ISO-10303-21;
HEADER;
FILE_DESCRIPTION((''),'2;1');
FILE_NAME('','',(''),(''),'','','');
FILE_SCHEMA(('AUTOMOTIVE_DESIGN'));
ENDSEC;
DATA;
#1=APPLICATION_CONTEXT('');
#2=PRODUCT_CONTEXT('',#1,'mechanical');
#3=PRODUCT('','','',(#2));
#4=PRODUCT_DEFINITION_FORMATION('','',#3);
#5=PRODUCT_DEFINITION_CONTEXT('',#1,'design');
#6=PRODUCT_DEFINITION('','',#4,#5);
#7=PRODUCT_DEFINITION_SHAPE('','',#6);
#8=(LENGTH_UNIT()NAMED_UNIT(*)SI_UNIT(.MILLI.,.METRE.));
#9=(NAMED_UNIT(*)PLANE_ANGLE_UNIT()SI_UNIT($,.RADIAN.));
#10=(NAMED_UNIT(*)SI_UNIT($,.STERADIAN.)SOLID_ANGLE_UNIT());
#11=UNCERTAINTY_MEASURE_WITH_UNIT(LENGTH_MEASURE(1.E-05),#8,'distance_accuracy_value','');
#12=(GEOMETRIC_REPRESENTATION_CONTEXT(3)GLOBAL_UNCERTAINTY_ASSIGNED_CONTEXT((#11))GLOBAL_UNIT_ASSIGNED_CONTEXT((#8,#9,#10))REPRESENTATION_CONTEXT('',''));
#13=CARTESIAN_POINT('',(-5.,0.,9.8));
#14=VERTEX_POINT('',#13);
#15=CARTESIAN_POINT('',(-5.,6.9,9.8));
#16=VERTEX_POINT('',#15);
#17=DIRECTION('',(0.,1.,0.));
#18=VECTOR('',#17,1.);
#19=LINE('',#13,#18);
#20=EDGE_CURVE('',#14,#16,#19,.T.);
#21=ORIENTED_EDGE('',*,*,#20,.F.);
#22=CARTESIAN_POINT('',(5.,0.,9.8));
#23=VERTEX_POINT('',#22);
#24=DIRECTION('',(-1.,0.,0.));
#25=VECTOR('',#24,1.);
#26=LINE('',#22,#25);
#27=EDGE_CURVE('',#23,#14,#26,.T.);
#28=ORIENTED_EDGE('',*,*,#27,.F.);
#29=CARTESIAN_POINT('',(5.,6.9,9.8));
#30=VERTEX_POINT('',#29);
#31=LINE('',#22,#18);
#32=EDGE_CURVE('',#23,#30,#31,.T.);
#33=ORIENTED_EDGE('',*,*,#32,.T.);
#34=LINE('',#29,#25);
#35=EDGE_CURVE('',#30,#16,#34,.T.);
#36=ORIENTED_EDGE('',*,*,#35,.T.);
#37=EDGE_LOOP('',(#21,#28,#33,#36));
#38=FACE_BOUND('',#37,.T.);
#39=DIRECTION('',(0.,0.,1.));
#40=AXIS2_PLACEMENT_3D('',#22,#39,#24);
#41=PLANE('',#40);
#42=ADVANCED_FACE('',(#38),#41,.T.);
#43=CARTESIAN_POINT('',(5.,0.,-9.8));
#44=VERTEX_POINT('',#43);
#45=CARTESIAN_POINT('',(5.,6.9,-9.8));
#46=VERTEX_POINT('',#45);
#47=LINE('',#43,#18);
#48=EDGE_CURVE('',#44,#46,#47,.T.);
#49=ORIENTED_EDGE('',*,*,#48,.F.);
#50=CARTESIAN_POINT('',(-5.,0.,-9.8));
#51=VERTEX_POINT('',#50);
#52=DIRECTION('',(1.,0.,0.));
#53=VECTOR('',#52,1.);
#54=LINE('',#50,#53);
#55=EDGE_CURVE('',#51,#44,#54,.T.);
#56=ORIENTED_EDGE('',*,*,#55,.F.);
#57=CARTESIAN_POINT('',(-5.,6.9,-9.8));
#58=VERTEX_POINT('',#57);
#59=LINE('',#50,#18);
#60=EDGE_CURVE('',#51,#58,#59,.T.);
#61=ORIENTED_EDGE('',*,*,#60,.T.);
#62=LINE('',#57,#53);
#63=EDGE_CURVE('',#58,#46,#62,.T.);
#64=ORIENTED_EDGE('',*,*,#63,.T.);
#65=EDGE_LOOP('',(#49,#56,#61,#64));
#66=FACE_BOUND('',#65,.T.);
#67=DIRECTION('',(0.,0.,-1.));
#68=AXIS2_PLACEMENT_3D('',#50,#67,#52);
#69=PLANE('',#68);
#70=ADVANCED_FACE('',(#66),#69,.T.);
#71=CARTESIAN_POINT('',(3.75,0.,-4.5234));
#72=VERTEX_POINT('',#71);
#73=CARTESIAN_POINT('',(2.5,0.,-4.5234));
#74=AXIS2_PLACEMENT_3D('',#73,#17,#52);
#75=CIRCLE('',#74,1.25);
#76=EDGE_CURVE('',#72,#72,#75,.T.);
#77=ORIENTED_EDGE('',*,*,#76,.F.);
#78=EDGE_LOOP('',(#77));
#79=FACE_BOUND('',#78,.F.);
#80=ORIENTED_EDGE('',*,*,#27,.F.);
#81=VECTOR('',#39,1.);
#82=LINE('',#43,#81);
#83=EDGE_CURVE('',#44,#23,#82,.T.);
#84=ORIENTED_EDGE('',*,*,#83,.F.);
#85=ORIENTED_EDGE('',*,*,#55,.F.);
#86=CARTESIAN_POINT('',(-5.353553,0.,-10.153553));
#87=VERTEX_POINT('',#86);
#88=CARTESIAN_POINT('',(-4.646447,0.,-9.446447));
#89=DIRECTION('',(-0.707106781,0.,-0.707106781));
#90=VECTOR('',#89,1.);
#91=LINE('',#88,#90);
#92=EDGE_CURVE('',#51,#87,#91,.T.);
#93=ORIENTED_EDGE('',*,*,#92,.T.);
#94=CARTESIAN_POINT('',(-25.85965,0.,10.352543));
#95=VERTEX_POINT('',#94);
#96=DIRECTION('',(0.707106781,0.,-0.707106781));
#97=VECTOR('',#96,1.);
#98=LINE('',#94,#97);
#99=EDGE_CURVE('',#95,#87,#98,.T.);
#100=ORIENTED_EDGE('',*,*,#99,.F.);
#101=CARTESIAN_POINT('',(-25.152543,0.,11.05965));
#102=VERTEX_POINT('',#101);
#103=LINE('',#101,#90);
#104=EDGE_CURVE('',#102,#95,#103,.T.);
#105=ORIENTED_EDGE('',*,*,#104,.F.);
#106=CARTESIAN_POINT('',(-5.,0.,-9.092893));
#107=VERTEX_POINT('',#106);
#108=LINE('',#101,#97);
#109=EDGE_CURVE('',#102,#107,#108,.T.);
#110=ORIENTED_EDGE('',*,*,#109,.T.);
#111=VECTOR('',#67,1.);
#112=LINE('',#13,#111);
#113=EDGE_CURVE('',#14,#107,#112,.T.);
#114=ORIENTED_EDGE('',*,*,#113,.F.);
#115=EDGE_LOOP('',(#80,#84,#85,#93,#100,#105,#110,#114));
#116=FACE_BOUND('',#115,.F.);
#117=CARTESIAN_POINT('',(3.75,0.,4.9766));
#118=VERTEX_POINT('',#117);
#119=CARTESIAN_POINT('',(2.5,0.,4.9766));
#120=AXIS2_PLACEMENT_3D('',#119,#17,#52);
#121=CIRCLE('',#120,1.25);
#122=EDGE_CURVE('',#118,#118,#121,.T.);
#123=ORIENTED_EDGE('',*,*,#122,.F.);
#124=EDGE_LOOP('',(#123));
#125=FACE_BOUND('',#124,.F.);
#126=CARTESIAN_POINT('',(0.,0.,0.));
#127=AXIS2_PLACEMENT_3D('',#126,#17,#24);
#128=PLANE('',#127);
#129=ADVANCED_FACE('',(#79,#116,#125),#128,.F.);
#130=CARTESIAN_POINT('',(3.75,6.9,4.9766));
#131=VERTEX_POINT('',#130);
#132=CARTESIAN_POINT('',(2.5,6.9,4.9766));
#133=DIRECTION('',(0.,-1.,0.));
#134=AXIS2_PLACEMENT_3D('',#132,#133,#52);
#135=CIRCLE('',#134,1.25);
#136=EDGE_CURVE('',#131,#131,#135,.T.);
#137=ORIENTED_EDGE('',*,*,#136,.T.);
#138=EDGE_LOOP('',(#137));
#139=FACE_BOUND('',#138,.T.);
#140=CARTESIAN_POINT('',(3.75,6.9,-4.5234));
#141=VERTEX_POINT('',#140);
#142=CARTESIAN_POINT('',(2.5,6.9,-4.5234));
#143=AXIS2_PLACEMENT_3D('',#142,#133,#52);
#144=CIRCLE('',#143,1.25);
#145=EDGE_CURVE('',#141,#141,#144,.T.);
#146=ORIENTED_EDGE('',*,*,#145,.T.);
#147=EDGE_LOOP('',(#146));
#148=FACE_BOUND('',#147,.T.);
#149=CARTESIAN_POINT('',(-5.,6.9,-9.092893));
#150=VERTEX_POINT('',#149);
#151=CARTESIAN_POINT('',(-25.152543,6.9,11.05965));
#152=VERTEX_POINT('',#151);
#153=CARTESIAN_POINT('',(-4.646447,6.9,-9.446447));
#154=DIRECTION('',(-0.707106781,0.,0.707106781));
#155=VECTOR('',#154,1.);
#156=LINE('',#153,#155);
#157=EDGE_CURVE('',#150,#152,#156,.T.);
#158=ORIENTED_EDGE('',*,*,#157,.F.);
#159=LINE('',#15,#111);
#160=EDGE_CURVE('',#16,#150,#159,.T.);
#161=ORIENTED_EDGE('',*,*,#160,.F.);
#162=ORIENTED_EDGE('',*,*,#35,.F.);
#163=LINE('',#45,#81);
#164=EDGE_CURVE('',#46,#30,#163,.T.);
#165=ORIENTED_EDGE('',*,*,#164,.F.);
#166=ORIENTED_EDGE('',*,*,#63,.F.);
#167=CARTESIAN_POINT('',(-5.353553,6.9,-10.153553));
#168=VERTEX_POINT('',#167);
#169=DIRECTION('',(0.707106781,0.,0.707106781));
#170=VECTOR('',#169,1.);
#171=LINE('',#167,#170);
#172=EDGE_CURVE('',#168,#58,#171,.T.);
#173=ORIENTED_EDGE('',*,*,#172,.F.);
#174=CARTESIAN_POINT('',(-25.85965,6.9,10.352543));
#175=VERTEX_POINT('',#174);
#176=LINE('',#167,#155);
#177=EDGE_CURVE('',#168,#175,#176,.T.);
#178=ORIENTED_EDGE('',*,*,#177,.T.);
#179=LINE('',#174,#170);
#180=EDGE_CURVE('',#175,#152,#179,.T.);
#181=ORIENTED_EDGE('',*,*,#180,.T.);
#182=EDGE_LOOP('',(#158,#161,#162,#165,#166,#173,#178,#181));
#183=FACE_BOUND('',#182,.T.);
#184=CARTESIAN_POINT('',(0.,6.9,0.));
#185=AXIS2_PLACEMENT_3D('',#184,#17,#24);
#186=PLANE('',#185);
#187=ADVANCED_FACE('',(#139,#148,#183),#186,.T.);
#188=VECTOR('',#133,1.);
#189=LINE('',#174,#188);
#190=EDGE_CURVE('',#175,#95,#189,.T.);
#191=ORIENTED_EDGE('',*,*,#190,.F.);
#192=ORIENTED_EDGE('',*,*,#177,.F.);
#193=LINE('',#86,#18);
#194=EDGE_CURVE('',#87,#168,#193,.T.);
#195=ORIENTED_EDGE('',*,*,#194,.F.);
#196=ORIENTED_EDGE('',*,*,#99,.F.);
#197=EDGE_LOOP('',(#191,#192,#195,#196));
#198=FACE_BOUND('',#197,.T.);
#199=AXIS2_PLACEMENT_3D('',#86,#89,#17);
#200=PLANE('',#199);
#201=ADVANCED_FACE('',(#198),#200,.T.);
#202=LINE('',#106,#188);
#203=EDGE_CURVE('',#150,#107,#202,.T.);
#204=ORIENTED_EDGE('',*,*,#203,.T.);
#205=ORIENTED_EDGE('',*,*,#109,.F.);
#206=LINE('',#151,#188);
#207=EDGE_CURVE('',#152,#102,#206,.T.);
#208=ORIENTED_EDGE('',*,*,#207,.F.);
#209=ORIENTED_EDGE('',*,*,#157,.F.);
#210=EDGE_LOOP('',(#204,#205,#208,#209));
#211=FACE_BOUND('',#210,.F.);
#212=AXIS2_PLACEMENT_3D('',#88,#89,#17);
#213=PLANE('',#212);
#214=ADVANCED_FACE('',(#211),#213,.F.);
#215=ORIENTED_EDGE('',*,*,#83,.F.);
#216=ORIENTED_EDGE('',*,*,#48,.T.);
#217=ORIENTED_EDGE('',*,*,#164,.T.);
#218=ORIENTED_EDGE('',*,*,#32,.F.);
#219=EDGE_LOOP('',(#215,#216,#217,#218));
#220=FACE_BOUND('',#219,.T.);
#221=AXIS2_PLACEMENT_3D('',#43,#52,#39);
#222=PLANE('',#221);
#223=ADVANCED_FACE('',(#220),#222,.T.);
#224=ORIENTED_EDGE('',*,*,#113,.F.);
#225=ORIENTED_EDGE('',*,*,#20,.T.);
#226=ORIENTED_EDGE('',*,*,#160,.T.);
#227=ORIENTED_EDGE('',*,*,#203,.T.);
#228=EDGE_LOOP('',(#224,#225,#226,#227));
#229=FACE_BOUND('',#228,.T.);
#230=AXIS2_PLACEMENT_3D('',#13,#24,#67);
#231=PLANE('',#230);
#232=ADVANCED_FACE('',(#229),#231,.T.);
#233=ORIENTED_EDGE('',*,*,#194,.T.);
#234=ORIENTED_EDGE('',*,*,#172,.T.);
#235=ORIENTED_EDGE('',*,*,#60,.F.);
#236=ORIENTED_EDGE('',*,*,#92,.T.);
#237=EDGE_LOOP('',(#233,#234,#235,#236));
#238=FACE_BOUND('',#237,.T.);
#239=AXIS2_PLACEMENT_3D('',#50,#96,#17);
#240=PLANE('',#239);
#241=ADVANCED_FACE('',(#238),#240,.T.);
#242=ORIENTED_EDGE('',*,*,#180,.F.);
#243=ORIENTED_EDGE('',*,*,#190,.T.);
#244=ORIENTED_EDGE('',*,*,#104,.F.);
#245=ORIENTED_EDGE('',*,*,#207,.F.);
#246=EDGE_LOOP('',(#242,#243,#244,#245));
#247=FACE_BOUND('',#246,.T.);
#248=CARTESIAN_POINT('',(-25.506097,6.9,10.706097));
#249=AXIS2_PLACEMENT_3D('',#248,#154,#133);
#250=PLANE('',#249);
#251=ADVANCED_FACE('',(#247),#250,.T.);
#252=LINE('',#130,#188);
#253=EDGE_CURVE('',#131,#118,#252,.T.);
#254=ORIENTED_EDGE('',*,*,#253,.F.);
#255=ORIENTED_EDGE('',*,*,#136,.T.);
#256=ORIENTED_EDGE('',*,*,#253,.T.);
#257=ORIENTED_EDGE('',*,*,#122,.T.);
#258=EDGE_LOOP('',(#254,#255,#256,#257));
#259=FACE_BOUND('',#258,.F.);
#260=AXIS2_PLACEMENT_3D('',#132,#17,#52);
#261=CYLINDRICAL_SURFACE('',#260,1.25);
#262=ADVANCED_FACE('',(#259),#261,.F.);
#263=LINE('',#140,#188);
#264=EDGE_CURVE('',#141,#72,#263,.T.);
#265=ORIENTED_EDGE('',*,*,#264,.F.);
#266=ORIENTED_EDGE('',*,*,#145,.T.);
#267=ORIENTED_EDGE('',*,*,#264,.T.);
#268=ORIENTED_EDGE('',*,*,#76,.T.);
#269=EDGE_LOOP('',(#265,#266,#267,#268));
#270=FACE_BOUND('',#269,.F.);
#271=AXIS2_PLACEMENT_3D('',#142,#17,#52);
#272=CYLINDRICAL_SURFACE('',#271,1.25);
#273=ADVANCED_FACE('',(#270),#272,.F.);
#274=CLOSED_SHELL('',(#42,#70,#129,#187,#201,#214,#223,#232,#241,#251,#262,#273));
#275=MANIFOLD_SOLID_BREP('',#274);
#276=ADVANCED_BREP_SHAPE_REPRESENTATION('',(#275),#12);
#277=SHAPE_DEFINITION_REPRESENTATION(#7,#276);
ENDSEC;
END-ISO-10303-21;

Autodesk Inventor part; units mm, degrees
ref_plane "YZ Plane" through (0, 0, 0) normal (1, 0, 0) x (0, 1, 0)
ref_plane "XZ Plane" through (0, 0, 0) normal (0, 1, 0) x (-1, 0, 0)
sketch "Эскиз1" plane through (0, 0, 0) normal (0, 1, 0) x (-1, 0, 0)
  line L0 (5, -9.8) -> (-5, -9.8)
  line L1 (-5, -9.8) -> (-5, 9.8)
  line L2 (-5, 9.8) -> (5, 9.8)
  line L3 (5, 9.8) -> (5, -9.8)
  line L4 (5, -9.8) -> (-5, 9.8) construction
  line L5 (-5, -9.8) -> (5, 9.8) construction
  point P0 (0, 0)
  dimension "d0" = 10
  dimension "d1" = 19.6
extrude "Выдавливание1" add sketch "Эскиз1" along normal blind 6.9
sketch "Эскиз2" plane through (0, 6.9, 0) normal (0, 1, 0) x (1, 0, 0)
  circle A0 centre (2.5, -4.9766) radius 1.25
  circle A1 centre (2.5, 4.5234) radius 1.25
  line L0 (5, -9.8) -> (5, 9.8) projected
  line L1 (2.5, -4.9766) -> (2.5, -0.2266)
  line L2 (2.5, -0.2266) -> (2.5, 4.5234)
  point P0 (0, 0)
  dimension "d4" = 2.5
  dimension "d5" = 2.5
  dimension "d6" = 9.5
  dimension "d7" = 2.5
  dimension "d8" = 2.5
extrude "Выдавливание2" cut sketch "Эскиз2" against normal blind 6.9
ref_plane "РабПлоскость1" through (-5, 0, -9.8) normal (-0.7071, 0, -0.7071) x (0, 1, 0)
sketch "Эскиз3" plane through (-5, 0, -9.8) normal (-0.7071, 0, -0.7071) x (0, 1, 0)
  line L0 (0, 0) -> (6.9, 0) projected
  line L1 (0, 0) -> (6.9, 0)
  line L2 (6.9, 0) -> (6.9, -29)
  line L3 (6.9, -29) -> (0, -29)
  line L4 (0, -29) -> (0, 0)
  point P0 (0, -3.3941)
  dimension "d12" = 6.9
  dimension "d13" = 29
extrude "Выдавливание3" add sketch "Эскиз3" along normal mid plane 1
properties part number "концевик"
